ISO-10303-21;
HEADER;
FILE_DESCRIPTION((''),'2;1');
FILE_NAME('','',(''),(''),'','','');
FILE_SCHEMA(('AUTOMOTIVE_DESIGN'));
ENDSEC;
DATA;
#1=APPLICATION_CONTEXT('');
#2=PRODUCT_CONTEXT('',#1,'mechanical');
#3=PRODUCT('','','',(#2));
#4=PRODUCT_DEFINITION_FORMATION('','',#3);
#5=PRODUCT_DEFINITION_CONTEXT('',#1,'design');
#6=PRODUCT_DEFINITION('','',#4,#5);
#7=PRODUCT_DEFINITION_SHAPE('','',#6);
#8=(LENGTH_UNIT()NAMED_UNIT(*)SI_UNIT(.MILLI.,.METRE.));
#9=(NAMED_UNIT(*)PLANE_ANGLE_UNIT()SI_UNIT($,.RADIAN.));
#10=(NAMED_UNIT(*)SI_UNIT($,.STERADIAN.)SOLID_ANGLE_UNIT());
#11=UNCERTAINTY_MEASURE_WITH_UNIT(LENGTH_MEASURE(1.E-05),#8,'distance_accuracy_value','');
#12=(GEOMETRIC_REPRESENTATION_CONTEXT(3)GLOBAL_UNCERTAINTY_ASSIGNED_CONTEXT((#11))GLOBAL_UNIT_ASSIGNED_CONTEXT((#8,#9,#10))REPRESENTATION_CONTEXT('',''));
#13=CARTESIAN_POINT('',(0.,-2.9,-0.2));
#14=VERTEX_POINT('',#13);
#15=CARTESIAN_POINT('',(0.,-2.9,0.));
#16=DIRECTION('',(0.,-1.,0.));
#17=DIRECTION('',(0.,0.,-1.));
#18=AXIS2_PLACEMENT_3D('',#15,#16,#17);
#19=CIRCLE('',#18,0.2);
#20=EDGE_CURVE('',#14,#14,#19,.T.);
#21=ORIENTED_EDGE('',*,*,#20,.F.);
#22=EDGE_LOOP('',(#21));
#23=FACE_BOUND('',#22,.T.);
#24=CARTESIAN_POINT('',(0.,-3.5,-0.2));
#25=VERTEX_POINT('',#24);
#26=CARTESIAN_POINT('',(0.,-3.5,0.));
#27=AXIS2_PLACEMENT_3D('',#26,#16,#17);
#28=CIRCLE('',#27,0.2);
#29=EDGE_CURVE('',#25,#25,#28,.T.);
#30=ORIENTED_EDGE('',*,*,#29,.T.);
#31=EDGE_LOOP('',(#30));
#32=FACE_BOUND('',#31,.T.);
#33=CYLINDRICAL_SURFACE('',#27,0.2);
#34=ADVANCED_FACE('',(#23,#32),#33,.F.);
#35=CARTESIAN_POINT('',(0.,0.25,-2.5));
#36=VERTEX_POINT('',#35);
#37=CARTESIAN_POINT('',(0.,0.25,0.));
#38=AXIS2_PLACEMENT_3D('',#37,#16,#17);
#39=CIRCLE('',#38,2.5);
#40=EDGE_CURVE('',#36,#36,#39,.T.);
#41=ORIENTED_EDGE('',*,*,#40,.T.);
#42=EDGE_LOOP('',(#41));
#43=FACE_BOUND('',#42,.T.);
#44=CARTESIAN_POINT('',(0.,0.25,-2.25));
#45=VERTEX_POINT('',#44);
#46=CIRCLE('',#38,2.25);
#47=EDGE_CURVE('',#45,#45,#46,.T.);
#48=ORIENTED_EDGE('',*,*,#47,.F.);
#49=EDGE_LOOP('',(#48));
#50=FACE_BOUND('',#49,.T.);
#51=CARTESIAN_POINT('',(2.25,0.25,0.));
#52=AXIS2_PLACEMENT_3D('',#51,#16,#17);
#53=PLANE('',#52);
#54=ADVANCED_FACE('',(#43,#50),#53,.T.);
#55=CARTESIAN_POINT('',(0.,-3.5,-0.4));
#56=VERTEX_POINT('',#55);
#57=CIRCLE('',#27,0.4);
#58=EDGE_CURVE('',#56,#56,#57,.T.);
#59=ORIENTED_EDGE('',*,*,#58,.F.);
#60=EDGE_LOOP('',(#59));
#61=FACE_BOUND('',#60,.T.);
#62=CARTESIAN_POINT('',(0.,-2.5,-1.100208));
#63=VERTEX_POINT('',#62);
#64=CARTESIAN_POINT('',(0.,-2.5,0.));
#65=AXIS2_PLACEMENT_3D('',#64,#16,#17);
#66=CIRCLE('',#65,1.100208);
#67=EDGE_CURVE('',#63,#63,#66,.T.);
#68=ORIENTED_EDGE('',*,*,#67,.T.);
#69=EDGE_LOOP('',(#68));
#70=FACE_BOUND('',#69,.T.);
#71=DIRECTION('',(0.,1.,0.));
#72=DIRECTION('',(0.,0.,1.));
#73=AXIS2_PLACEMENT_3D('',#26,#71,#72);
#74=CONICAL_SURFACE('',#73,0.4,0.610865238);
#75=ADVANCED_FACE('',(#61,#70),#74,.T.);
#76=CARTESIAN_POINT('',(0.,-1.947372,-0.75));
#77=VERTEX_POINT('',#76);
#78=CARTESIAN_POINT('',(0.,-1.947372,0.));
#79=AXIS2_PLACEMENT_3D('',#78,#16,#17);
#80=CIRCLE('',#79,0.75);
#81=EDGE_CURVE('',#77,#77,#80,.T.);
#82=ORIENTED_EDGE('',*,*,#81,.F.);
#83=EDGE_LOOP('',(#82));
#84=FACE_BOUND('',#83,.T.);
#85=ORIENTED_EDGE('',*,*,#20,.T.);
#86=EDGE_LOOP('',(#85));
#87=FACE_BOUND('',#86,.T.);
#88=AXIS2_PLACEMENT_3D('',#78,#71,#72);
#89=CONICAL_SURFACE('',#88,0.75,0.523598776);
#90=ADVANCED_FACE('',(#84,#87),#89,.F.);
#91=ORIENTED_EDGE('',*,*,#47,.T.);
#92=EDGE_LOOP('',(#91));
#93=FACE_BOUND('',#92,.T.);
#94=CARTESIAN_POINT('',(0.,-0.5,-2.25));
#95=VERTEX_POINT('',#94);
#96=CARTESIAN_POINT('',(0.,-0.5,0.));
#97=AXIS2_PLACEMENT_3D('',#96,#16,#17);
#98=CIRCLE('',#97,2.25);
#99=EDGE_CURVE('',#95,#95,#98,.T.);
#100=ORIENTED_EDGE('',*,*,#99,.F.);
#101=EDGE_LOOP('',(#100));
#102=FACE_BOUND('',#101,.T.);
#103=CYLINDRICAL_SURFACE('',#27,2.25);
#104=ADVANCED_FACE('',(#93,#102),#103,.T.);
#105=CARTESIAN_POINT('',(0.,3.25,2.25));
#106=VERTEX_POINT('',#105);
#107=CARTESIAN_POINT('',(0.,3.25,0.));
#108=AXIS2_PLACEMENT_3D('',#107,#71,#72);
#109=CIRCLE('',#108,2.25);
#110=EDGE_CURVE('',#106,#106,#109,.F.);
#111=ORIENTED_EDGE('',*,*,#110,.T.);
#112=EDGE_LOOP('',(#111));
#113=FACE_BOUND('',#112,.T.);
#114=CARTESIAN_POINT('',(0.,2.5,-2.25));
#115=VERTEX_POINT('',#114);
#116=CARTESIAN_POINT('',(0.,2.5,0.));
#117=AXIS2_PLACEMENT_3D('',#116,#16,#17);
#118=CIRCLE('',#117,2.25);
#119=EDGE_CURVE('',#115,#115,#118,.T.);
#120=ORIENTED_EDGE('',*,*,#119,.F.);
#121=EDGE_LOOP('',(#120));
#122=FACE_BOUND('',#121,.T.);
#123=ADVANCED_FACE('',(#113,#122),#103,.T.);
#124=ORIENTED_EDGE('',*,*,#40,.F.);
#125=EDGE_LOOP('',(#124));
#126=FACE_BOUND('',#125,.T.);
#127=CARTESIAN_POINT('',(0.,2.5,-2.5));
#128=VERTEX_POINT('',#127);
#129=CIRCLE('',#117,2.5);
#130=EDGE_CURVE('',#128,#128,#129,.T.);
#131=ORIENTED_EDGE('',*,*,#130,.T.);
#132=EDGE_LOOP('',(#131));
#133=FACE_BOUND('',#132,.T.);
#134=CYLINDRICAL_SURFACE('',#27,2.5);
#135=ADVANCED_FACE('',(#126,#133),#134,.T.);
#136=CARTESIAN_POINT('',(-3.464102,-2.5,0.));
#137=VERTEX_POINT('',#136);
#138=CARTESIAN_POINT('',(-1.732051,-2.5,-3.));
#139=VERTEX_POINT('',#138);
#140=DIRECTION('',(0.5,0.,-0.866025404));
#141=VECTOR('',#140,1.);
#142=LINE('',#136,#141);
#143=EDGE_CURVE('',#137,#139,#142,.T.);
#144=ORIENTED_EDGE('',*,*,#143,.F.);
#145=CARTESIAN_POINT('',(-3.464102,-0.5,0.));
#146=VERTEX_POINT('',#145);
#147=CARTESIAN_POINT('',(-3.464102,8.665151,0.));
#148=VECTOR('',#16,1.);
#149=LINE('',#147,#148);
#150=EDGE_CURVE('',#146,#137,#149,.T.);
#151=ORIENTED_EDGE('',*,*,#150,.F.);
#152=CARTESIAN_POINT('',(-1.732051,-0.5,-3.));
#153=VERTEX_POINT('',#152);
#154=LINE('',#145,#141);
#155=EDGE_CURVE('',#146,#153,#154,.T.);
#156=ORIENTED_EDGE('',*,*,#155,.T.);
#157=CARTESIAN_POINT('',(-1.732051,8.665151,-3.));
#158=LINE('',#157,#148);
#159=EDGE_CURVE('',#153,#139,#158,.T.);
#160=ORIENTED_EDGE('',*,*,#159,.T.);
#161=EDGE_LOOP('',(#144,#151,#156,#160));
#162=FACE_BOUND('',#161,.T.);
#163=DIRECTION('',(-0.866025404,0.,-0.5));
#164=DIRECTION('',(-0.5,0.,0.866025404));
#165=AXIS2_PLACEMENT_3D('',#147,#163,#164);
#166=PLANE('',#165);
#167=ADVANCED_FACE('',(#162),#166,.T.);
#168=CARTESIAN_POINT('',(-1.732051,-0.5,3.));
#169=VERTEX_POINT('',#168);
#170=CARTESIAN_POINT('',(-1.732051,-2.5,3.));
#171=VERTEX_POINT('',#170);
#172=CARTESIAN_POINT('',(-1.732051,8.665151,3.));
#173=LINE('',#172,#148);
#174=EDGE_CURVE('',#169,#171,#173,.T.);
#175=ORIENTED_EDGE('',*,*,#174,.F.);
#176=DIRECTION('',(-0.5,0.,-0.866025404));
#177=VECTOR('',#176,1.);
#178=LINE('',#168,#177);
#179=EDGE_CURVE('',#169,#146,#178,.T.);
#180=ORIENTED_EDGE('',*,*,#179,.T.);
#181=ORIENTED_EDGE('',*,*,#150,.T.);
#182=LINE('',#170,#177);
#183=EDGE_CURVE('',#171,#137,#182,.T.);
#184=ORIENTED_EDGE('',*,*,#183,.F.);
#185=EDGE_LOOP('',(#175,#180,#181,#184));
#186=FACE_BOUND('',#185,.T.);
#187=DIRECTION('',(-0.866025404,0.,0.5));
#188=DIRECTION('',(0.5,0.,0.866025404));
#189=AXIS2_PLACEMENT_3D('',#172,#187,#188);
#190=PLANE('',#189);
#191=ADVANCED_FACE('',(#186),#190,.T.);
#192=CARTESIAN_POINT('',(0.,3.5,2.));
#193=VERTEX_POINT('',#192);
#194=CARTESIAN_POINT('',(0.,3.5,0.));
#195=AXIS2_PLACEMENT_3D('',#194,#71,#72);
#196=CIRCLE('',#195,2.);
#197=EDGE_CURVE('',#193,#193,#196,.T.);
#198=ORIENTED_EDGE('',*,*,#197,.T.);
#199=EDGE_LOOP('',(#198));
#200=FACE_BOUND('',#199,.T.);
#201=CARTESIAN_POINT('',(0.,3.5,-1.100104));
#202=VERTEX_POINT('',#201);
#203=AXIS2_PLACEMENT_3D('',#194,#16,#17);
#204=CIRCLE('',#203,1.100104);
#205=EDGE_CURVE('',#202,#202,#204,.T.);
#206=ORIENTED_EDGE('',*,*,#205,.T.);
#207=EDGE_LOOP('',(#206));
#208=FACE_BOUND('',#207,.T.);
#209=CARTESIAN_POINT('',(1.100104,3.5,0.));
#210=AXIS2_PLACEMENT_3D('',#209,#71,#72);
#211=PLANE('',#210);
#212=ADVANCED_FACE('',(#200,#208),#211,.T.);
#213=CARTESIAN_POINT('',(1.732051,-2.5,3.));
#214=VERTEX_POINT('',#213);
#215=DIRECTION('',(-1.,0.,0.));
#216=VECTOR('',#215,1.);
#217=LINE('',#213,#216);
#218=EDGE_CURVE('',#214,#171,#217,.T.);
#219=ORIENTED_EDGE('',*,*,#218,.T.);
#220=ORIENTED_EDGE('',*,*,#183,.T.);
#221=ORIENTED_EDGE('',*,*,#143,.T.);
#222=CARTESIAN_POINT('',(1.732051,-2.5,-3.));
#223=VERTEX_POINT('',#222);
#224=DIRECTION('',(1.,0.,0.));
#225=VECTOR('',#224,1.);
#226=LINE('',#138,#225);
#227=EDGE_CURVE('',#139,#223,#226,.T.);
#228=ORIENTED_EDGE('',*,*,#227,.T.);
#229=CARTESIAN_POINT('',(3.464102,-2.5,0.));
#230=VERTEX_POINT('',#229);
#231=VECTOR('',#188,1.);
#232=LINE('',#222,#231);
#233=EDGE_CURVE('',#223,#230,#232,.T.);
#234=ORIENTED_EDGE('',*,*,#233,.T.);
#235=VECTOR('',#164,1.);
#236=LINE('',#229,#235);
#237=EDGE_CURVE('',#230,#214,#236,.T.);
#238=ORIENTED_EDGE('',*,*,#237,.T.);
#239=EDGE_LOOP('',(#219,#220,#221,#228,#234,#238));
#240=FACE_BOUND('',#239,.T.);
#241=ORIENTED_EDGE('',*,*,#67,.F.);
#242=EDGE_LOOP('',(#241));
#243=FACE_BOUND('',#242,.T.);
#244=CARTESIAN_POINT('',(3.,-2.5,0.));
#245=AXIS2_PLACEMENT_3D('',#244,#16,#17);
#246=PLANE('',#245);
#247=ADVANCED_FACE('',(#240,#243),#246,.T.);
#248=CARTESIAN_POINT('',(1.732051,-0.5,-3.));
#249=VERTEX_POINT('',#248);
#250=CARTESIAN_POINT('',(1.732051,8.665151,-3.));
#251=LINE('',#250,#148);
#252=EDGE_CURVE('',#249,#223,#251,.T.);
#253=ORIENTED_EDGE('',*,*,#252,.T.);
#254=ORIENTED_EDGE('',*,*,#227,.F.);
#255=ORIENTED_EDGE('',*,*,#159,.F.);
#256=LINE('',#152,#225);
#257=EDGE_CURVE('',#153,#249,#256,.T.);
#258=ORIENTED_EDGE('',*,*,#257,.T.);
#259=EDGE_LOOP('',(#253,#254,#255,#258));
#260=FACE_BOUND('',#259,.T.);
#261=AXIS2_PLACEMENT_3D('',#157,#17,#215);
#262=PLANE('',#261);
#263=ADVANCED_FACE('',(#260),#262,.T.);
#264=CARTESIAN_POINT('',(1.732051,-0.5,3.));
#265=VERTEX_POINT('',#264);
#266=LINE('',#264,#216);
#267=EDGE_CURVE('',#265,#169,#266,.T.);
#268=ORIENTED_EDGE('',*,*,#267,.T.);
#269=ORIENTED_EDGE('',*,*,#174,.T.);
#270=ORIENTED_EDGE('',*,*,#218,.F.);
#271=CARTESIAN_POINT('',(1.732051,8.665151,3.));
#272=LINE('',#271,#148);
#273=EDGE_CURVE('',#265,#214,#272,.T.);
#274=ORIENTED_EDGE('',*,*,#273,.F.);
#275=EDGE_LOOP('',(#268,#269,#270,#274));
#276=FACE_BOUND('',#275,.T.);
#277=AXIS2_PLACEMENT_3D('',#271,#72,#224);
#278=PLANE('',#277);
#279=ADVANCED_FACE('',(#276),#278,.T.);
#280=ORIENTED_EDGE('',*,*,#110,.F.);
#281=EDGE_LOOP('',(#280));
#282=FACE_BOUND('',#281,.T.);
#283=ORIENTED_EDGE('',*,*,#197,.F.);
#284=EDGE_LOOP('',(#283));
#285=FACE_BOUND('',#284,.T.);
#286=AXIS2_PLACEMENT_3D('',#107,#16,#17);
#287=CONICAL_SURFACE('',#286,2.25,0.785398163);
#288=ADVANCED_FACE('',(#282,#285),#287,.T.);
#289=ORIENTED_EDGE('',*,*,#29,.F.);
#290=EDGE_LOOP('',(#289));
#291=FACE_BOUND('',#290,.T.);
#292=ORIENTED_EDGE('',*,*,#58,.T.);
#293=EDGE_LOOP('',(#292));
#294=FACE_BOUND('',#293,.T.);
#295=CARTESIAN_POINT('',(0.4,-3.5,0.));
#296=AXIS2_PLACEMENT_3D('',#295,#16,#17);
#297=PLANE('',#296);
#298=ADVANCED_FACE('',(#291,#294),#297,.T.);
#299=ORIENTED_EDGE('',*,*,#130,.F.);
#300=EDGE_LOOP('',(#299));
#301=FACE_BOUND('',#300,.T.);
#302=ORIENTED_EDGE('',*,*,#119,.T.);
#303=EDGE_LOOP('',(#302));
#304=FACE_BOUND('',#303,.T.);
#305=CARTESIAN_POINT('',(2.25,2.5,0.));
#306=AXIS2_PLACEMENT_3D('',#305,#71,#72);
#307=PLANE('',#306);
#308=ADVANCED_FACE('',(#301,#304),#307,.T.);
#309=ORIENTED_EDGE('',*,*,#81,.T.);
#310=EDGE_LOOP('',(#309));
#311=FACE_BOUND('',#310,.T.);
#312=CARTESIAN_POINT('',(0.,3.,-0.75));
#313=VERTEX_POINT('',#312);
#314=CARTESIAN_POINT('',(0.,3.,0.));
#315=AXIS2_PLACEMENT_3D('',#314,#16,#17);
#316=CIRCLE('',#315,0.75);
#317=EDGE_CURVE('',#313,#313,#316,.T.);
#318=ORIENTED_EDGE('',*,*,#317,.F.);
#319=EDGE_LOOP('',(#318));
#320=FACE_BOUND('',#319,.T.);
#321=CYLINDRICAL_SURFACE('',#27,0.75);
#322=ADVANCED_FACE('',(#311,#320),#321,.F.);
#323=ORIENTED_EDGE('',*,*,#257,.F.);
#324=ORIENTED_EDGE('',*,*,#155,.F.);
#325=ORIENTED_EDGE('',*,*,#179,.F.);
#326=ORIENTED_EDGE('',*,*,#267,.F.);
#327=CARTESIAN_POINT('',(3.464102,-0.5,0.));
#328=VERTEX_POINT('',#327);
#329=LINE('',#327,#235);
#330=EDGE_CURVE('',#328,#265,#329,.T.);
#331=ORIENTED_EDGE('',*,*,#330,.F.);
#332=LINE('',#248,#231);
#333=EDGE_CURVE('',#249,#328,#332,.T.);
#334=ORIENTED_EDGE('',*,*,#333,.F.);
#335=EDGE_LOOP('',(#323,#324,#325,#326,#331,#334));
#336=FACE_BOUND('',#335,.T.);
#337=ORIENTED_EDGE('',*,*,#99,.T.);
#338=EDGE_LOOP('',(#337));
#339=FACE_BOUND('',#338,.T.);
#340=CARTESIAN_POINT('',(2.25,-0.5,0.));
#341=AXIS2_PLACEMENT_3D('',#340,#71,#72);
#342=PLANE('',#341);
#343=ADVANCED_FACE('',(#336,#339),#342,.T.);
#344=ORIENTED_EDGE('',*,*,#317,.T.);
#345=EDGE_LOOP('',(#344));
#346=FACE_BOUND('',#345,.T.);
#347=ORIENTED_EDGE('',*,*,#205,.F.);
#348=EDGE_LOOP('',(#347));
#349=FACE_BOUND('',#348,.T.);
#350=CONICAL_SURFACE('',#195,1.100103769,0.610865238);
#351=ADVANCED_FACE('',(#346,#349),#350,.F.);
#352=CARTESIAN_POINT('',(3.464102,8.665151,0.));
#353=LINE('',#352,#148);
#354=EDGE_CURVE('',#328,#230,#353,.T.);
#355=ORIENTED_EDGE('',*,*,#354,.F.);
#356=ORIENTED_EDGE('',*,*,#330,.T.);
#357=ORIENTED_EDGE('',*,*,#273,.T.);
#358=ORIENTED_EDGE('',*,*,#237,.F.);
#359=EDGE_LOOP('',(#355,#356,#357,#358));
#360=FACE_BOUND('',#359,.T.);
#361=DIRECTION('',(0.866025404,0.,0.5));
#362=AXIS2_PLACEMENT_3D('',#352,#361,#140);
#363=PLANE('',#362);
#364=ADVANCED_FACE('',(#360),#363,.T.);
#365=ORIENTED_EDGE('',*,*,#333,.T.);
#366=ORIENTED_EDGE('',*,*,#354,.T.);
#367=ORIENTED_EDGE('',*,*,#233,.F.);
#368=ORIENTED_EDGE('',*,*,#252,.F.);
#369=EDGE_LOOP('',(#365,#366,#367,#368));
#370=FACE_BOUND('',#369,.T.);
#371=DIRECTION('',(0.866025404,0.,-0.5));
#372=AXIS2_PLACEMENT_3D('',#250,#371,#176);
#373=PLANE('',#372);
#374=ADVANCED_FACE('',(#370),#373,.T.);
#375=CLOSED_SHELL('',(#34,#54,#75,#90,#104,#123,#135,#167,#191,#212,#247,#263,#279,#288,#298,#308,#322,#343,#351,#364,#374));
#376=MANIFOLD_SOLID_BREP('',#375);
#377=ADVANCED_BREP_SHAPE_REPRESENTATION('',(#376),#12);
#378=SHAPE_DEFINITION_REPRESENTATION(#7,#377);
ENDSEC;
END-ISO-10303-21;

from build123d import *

# Parameters (mm, degrees)
SKETCH2_R           = 2.612661588
BOSS_EXTRUDE1_DEPTH = 2
CHAMFER1_SIZE       = 0.25


with BuildPart() as part:
    # Sketch1 → Revolve1 (revolve)
    with BuildSketch(Plane.XY):
        Polygon((0.2, -3.5), (0.2, -2.9), (0.75, -1.947372056), (0.75, 3), (1.100103769, 3.5), (2.25, 3.5), (2.25, 2.5), (2.5, 2.5), (2.5, 0.25), (2.25, 0.25), (2.25, -0.5), (3, -0.5), (3, -2.5), (1.100207538, -2.5), (0.4, -3.5), align=None)
    revolve(axis=Axis((0, -3.5, 0), (0, 1, 0)))

    # Sketch2 → Boss-Extrude1 (add)
    with BuildSketch(Plane.XZ.offset(2.5)):
        Polygon((1.732050808, 3), (-1.732050808, 3), (-3.464101615, 0), (-1.732050808, -3), (1.732050808, -3), (3.464101615, 0), align=None)
        Circle(SKETCH2_R, mode=Mode.SUBTRACT)
    extrude(amount=-BOSS_EXTRUDE1_DEPTH)

    # Chamfer1
    chamfer1_edges = [part.edges().sort_by_distance(p)[0] for p in [
        (-2.25, 3.5, 0),
    ]]
    chamfer(chamfer1_edges, length=CHAMFER1_SIZE)


solid = part.part
